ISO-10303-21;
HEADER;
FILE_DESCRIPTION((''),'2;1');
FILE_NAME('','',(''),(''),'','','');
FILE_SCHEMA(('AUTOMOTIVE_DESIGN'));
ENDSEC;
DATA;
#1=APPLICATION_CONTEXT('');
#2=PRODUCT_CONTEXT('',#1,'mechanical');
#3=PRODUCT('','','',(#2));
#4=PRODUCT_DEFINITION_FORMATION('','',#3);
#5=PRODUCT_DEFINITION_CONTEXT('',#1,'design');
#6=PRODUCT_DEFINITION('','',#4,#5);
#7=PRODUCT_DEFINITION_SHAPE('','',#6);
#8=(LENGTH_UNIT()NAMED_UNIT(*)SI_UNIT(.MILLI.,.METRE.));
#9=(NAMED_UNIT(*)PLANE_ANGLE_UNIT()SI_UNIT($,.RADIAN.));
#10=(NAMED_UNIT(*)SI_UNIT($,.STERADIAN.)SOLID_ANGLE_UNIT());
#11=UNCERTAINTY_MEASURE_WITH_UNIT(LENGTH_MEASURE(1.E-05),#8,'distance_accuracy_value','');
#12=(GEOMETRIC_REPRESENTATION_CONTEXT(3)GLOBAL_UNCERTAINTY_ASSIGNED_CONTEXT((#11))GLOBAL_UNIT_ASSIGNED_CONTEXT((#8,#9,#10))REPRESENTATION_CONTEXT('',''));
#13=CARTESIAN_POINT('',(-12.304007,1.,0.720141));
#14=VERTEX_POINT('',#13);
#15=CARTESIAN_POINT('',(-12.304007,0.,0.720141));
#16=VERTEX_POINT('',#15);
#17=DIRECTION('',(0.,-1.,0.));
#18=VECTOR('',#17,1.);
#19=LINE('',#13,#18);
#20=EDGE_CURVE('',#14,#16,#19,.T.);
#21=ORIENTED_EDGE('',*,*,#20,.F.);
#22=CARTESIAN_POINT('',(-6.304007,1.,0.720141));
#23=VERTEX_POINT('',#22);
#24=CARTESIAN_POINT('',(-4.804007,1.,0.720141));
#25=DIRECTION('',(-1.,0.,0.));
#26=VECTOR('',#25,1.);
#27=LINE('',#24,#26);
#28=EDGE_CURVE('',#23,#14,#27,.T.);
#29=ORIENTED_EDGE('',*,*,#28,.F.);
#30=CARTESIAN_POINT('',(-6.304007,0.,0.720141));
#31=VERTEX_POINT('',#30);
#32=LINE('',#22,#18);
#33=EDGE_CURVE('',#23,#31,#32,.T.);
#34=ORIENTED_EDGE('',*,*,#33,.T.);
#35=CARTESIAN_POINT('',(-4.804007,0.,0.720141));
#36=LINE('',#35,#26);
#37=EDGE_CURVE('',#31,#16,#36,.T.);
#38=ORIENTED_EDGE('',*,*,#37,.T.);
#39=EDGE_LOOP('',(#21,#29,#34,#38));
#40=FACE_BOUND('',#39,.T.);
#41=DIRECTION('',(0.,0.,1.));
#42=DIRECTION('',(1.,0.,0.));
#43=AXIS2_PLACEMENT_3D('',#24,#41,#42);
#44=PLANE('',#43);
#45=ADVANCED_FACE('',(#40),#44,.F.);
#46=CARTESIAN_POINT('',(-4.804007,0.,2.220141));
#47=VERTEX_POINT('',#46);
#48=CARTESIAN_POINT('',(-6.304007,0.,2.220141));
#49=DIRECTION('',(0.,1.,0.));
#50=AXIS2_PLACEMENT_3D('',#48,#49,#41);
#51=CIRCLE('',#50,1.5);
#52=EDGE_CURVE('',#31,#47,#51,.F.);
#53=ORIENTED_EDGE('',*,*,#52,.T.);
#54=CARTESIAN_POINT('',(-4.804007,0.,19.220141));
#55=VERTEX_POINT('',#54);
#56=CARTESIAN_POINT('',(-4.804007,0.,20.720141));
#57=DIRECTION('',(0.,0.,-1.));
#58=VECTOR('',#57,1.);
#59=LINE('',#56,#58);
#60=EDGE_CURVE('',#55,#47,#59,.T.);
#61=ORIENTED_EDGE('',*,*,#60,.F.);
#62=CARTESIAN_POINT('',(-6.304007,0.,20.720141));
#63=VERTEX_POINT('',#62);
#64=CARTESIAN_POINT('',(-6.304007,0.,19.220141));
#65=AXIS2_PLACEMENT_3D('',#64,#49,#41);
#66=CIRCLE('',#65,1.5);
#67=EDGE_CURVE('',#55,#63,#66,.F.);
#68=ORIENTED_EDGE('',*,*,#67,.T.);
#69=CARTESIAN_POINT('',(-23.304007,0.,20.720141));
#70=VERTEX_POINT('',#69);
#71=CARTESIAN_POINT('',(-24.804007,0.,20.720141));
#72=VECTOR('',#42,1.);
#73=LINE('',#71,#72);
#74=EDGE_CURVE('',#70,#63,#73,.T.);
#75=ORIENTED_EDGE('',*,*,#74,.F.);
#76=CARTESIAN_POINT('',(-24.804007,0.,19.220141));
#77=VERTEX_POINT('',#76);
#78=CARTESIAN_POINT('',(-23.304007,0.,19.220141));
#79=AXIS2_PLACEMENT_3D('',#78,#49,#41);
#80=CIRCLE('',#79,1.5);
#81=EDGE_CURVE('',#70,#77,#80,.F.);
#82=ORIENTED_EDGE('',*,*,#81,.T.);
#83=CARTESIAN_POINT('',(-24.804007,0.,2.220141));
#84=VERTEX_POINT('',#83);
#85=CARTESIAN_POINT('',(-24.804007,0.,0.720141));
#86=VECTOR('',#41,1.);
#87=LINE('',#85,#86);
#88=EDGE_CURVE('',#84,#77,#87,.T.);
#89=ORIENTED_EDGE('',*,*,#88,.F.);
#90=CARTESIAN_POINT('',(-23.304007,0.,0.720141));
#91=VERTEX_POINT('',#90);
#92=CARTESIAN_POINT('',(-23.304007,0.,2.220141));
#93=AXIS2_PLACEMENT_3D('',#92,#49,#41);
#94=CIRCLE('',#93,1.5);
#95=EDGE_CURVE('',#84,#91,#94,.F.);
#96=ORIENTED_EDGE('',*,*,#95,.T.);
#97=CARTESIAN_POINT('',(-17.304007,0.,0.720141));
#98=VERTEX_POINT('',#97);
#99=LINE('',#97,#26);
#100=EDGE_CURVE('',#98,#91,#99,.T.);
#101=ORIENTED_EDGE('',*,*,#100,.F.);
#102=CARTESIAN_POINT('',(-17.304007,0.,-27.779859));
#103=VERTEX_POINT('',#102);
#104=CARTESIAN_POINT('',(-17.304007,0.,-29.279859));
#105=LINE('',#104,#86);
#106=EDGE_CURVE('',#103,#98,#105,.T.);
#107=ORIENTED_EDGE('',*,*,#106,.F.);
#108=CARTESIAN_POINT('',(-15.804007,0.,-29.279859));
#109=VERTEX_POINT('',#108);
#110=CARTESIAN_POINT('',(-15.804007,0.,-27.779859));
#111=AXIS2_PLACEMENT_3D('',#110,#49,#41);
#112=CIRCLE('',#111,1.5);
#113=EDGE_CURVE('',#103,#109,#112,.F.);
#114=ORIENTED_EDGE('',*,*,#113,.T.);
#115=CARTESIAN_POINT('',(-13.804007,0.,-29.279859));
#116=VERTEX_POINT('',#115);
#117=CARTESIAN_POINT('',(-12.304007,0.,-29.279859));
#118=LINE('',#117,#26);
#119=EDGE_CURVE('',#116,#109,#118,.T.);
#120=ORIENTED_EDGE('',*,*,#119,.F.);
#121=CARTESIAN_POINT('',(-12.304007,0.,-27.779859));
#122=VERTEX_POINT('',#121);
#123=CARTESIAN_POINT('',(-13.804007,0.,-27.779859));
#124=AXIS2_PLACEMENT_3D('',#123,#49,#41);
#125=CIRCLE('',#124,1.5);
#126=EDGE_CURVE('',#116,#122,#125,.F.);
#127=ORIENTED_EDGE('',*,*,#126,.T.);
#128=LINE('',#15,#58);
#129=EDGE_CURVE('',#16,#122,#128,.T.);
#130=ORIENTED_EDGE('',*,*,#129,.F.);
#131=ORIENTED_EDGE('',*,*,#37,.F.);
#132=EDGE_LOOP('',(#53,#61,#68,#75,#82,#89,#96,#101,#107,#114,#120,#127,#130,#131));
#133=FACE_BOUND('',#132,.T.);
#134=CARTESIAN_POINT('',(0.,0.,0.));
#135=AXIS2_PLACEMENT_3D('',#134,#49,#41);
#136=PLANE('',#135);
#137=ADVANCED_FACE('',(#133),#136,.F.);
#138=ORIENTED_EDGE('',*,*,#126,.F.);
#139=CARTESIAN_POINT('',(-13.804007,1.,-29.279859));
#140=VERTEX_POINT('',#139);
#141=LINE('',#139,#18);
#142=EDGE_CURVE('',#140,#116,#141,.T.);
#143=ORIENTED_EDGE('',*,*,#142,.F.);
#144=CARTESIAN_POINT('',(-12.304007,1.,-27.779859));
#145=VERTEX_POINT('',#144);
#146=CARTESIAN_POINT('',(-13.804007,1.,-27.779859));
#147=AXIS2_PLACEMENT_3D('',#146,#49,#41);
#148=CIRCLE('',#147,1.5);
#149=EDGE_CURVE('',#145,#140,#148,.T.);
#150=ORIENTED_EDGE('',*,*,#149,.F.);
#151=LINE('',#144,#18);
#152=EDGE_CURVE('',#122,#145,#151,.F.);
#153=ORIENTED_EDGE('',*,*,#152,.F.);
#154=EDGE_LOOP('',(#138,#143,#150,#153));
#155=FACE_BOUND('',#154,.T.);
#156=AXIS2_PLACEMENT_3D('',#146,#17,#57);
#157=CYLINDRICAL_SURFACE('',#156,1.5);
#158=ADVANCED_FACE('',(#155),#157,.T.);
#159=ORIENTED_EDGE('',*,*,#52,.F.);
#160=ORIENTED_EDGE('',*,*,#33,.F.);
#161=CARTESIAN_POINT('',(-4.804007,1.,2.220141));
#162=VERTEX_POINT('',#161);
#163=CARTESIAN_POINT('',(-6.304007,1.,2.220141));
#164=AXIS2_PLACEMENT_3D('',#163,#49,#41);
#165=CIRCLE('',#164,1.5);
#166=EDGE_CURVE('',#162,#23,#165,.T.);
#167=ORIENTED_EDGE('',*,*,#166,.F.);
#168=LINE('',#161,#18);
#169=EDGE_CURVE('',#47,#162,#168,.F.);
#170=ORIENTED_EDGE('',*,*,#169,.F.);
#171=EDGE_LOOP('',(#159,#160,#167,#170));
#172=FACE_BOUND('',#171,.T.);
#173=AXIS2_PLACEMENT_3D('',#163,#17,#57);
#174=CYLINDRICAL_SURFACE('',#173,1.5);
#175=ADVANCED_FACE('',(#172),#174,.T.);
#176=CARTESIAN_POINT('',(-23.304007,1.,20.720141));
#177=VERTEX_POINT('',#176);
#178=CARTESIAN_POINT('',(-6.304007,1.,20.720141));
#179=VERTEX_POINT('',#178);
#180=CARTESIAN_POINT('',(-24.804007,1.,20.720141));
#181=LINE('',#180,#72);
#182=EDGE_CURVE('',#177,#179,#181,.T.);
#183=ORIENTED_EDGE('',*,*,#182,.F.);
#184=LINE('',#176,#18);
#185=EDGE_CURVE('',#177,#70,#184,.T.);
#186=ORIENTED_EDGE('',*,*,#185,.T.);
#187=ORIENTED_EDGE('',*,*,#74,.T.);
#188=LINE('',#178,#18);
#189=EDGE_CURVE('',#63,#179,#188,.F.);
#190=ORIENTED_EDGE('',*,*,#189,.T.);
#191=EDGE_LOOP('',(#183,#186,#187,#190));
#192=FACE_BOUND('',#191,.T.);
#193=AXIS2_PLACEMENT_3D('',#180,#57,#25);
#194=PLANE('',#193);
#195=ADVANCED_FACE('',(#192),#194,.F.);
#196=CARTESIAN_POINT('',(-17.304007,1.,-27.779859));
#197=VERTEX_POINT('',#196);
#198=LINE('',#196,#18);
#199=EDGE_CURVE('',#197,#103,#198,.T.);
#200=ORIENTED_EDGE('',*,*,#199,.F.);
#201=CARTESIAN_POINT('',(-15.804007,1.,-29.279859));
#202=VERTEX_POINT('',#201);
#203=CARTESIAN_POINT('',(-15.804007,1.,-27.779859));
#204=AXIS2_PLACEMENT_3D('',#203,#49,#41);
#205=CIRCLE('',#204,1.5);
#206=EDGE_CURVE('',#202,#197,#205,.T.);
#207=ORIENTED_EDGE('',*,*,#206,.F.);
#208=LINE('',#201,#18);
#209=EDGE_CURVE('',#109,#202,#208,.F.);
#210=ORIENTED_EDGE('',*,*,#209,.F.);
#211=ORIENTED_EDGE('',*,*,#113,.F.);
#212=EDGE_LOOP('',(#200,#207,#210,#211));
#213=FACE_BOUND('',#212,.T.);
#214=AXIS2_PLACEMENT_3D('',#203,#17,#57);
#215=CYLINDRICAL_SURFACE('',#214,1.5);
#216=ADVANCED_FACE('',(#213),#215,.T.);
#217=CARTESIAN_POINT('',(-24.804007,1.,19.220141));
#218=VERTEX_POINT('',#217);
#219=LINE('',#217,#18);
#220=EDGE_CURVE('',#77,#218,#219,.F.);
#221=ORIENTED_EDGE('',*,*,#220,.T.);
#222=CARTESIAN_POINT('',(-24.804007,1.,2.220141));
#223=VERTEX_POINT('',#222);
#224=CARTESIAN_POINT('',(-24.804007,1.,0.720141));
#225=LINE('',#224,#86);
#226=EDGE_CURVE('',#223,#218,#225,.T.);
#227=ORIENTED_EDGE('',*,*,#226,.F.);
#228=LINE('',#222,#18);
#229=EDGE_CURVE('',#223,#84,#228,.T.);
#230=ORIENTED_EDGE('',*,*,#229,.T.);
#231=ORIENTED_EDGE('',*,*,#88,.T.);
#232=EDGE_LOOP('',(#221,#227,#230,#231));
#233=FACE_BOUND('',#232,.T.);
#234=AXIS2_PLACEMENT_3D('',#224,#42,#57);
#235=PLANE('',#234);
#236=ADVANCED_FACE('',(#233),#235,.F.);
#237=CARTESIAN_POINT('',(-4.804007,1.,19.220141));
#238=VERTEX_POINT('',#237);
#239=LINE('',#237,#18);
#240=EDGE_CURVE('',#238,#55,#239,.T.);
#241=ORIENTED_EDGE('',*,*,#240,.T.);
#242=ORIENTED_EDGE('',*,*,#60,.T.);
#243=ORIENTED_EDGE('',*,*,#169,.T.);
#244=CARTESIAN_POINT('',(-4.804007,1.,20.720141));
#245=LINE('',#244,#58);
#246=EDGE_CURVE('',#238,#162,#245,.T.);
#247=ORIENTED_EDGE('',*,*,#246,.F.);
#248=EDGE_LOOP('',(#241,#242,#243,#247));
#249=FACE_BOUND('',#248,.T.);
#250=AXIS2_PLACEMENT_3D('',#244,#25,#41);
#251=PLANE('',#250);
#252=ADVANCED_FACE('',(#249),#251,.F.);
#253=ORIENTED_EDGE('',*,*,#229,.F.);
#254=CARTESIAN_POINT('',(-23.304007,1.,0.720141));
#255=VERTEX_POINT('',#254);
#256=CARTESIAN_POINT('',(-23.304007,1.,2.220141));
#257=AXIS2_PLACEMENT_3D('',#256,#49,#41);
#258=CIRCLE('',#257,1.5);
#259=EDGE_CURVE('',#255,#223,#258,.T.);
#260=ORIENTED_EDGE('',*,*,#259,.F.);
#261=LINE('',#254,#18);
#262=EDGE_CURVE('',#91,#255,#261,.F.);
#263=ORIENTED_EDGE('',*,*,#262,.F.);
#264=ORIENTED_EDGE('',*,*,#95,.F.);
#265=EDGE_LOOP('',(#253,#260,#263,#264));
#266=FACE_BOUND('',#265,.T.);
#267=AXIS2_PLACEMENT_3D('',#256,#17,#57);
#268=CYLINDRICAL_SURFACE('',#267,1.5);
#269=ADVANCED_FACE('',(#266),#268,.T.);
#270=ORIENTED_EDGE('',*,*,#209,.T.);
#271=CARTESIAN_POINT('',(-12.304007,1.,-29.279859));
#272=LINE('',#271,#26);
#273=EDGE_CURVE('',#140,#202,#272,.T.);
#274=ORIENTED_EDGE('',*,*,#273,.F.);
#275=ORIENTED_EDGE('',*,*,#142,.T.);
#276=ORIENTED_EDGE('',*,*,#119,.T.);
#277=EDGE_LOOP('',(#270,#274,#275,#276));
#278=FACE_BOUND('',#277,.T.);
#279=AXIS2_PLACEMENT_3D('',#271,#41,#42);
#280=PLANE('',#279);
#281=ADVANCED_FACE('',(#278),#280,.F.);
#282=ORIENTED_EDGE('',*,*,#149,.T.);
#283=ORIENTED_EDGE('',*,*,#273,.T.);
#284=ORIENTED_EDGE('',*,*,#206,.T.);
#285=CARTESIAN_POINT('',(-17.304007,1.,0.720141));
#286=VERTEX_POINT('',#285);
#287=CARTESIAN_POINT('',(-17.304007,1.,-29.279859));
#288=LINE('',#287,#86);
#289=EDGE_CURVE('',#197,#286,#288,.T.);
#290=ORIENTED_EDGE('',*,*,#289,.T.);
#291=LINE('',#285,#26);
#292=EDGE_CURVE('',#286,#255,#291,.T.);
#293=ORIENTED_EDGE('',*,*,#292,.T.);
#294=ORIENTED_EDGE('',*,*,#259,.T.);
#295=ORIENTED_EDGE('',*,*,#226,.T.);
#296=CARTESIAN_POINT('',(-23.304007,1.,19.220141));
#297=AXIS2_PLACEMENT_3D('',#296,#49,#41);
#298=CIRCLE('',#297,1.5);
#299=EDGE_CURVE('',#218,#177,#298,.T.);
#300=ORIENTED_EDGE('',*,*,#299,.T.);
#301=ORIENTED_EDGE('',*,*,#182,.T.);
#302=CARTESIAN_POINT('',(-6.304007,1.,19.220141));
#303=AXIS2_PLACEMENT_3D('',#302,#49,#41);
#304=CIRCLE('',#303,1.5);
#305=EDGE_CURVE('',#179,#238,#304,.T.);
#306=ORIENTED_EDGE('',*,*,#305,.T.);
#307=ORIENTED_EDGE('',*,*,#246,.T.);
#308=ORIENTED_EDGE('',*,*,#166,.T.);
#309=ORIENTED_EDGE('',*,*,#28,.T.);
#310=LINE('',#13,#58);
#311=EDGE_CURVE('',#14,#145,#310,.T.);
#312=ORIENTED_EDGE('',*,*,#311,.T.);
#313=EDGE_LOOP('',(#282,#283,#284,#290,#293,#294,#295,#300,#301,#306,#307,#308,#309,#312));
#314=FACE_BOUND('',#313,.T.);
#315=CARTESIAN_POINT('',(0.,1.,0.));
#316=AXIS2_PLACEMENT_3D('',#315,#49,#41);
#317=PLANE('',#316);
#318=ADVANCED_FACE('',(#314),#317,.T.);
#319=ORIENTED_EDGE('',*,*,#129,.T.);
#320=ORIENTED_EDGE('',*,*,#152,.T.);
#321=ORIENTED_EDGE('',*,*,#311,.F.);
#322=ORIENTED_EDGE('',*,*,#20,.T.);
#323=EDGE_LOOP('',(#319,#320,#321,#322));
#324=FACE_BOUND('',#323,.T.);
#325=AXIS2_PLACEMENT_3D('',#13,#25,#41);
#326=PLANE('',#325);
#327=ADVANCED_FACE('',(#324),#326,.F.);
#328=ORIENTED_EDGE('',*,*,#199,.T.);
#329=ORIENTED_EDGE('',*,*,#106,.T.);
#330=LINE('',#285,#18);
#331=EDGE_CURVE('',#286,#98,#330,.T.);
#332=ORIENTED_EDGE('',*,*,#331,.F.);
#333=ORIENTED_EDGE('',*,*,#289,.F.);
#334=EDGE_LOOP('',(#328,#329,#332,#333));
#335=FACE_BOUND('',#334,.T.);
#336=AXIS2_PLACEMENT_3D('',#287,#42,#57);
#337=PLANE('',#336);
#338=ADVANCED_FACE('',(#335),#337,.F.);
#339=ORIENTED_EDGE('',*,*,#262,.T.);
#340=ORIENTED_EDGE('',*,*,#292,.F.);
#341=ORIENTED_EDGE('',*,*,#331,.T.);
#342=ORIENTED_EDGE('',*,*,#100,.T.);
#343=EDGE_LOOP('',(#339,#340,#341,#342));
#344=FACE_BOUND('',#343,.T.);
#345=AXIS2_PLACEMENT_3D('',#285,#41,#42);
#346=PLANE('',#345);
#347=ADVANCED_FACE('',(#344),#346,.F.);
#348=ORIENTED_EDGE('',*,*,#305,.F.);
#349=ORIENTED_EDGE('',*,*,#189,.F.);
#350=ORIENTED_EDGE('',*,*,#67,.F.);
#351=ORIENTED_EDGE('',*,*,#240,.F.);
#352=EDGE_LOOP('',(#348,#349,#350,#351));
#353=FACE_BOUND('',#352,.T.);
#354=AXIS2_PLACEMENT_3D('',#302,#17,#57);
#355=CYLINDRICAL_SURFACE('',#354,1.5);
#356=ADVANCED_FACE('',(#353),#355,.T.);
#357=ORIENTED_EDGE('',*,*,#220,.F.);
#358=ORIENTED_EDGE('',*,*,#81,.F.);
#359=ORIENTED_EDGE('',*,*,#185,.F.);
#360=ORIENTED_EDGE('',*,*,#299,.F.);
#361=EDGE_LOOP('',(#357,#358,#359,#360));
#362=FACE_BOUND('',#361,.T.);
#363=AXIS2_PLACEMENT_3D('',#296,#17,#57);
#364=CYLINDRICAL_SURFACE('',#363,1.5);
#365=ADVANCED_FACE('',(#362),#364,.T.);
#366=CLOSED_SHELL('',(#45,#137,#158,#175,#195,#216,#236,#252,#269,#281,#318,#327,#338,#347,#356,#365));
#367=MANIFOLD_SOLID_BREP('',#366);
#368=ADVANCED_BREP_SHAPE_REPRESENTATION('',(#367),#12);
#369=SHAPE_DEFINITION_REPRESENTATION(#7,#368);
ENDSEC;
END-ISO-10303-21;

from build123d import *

# Parameters (mm, degrees)
EXTRUDE_1_DEPTH = 1
FILLET_1_R      = 1.5


with BuildPart() as part:
    # 草图1 → 凸台-拉伸1 (new body)
    with BuildSketch(Plane(origin=(0, 0, 0), x_dir=(1, 0, 0), z_dir=(0, 1, 0))):
        Polygon((-24.804006769, -20.720140696), (-4.804006769, -20.720140696), (-4.804006769, -0.720140696), (-12.304006769, -0.720140696), (-12.304006769, 29.279859304), (-17.304006769, 29.279859304), (-17.304006769, -0.720140696), (-24.804006769, -0.720140696), align=None)
    extrude(amount=EXTRUDE_1_DEPTH)

    # 圆角1
    fillet_1_edges = [part.edges().sort_by_distance(p)[0] for p in [
        (-24.804006769, 0.5, 0.720140696),
        (-17.304006769, 0.5, -29.279859304),
        (-12.304006769, 0.5, -29.279859304),
        (-4.804006769, 0.5, 0.720140696),
        (-4.804006769, 0.5, 20.720140696),
        (-24.804006769, 0.5, 20.720140696),
    ]]
    fillet(fillet_1_edges, radius=FILLET_1_R)


solid = part.part
